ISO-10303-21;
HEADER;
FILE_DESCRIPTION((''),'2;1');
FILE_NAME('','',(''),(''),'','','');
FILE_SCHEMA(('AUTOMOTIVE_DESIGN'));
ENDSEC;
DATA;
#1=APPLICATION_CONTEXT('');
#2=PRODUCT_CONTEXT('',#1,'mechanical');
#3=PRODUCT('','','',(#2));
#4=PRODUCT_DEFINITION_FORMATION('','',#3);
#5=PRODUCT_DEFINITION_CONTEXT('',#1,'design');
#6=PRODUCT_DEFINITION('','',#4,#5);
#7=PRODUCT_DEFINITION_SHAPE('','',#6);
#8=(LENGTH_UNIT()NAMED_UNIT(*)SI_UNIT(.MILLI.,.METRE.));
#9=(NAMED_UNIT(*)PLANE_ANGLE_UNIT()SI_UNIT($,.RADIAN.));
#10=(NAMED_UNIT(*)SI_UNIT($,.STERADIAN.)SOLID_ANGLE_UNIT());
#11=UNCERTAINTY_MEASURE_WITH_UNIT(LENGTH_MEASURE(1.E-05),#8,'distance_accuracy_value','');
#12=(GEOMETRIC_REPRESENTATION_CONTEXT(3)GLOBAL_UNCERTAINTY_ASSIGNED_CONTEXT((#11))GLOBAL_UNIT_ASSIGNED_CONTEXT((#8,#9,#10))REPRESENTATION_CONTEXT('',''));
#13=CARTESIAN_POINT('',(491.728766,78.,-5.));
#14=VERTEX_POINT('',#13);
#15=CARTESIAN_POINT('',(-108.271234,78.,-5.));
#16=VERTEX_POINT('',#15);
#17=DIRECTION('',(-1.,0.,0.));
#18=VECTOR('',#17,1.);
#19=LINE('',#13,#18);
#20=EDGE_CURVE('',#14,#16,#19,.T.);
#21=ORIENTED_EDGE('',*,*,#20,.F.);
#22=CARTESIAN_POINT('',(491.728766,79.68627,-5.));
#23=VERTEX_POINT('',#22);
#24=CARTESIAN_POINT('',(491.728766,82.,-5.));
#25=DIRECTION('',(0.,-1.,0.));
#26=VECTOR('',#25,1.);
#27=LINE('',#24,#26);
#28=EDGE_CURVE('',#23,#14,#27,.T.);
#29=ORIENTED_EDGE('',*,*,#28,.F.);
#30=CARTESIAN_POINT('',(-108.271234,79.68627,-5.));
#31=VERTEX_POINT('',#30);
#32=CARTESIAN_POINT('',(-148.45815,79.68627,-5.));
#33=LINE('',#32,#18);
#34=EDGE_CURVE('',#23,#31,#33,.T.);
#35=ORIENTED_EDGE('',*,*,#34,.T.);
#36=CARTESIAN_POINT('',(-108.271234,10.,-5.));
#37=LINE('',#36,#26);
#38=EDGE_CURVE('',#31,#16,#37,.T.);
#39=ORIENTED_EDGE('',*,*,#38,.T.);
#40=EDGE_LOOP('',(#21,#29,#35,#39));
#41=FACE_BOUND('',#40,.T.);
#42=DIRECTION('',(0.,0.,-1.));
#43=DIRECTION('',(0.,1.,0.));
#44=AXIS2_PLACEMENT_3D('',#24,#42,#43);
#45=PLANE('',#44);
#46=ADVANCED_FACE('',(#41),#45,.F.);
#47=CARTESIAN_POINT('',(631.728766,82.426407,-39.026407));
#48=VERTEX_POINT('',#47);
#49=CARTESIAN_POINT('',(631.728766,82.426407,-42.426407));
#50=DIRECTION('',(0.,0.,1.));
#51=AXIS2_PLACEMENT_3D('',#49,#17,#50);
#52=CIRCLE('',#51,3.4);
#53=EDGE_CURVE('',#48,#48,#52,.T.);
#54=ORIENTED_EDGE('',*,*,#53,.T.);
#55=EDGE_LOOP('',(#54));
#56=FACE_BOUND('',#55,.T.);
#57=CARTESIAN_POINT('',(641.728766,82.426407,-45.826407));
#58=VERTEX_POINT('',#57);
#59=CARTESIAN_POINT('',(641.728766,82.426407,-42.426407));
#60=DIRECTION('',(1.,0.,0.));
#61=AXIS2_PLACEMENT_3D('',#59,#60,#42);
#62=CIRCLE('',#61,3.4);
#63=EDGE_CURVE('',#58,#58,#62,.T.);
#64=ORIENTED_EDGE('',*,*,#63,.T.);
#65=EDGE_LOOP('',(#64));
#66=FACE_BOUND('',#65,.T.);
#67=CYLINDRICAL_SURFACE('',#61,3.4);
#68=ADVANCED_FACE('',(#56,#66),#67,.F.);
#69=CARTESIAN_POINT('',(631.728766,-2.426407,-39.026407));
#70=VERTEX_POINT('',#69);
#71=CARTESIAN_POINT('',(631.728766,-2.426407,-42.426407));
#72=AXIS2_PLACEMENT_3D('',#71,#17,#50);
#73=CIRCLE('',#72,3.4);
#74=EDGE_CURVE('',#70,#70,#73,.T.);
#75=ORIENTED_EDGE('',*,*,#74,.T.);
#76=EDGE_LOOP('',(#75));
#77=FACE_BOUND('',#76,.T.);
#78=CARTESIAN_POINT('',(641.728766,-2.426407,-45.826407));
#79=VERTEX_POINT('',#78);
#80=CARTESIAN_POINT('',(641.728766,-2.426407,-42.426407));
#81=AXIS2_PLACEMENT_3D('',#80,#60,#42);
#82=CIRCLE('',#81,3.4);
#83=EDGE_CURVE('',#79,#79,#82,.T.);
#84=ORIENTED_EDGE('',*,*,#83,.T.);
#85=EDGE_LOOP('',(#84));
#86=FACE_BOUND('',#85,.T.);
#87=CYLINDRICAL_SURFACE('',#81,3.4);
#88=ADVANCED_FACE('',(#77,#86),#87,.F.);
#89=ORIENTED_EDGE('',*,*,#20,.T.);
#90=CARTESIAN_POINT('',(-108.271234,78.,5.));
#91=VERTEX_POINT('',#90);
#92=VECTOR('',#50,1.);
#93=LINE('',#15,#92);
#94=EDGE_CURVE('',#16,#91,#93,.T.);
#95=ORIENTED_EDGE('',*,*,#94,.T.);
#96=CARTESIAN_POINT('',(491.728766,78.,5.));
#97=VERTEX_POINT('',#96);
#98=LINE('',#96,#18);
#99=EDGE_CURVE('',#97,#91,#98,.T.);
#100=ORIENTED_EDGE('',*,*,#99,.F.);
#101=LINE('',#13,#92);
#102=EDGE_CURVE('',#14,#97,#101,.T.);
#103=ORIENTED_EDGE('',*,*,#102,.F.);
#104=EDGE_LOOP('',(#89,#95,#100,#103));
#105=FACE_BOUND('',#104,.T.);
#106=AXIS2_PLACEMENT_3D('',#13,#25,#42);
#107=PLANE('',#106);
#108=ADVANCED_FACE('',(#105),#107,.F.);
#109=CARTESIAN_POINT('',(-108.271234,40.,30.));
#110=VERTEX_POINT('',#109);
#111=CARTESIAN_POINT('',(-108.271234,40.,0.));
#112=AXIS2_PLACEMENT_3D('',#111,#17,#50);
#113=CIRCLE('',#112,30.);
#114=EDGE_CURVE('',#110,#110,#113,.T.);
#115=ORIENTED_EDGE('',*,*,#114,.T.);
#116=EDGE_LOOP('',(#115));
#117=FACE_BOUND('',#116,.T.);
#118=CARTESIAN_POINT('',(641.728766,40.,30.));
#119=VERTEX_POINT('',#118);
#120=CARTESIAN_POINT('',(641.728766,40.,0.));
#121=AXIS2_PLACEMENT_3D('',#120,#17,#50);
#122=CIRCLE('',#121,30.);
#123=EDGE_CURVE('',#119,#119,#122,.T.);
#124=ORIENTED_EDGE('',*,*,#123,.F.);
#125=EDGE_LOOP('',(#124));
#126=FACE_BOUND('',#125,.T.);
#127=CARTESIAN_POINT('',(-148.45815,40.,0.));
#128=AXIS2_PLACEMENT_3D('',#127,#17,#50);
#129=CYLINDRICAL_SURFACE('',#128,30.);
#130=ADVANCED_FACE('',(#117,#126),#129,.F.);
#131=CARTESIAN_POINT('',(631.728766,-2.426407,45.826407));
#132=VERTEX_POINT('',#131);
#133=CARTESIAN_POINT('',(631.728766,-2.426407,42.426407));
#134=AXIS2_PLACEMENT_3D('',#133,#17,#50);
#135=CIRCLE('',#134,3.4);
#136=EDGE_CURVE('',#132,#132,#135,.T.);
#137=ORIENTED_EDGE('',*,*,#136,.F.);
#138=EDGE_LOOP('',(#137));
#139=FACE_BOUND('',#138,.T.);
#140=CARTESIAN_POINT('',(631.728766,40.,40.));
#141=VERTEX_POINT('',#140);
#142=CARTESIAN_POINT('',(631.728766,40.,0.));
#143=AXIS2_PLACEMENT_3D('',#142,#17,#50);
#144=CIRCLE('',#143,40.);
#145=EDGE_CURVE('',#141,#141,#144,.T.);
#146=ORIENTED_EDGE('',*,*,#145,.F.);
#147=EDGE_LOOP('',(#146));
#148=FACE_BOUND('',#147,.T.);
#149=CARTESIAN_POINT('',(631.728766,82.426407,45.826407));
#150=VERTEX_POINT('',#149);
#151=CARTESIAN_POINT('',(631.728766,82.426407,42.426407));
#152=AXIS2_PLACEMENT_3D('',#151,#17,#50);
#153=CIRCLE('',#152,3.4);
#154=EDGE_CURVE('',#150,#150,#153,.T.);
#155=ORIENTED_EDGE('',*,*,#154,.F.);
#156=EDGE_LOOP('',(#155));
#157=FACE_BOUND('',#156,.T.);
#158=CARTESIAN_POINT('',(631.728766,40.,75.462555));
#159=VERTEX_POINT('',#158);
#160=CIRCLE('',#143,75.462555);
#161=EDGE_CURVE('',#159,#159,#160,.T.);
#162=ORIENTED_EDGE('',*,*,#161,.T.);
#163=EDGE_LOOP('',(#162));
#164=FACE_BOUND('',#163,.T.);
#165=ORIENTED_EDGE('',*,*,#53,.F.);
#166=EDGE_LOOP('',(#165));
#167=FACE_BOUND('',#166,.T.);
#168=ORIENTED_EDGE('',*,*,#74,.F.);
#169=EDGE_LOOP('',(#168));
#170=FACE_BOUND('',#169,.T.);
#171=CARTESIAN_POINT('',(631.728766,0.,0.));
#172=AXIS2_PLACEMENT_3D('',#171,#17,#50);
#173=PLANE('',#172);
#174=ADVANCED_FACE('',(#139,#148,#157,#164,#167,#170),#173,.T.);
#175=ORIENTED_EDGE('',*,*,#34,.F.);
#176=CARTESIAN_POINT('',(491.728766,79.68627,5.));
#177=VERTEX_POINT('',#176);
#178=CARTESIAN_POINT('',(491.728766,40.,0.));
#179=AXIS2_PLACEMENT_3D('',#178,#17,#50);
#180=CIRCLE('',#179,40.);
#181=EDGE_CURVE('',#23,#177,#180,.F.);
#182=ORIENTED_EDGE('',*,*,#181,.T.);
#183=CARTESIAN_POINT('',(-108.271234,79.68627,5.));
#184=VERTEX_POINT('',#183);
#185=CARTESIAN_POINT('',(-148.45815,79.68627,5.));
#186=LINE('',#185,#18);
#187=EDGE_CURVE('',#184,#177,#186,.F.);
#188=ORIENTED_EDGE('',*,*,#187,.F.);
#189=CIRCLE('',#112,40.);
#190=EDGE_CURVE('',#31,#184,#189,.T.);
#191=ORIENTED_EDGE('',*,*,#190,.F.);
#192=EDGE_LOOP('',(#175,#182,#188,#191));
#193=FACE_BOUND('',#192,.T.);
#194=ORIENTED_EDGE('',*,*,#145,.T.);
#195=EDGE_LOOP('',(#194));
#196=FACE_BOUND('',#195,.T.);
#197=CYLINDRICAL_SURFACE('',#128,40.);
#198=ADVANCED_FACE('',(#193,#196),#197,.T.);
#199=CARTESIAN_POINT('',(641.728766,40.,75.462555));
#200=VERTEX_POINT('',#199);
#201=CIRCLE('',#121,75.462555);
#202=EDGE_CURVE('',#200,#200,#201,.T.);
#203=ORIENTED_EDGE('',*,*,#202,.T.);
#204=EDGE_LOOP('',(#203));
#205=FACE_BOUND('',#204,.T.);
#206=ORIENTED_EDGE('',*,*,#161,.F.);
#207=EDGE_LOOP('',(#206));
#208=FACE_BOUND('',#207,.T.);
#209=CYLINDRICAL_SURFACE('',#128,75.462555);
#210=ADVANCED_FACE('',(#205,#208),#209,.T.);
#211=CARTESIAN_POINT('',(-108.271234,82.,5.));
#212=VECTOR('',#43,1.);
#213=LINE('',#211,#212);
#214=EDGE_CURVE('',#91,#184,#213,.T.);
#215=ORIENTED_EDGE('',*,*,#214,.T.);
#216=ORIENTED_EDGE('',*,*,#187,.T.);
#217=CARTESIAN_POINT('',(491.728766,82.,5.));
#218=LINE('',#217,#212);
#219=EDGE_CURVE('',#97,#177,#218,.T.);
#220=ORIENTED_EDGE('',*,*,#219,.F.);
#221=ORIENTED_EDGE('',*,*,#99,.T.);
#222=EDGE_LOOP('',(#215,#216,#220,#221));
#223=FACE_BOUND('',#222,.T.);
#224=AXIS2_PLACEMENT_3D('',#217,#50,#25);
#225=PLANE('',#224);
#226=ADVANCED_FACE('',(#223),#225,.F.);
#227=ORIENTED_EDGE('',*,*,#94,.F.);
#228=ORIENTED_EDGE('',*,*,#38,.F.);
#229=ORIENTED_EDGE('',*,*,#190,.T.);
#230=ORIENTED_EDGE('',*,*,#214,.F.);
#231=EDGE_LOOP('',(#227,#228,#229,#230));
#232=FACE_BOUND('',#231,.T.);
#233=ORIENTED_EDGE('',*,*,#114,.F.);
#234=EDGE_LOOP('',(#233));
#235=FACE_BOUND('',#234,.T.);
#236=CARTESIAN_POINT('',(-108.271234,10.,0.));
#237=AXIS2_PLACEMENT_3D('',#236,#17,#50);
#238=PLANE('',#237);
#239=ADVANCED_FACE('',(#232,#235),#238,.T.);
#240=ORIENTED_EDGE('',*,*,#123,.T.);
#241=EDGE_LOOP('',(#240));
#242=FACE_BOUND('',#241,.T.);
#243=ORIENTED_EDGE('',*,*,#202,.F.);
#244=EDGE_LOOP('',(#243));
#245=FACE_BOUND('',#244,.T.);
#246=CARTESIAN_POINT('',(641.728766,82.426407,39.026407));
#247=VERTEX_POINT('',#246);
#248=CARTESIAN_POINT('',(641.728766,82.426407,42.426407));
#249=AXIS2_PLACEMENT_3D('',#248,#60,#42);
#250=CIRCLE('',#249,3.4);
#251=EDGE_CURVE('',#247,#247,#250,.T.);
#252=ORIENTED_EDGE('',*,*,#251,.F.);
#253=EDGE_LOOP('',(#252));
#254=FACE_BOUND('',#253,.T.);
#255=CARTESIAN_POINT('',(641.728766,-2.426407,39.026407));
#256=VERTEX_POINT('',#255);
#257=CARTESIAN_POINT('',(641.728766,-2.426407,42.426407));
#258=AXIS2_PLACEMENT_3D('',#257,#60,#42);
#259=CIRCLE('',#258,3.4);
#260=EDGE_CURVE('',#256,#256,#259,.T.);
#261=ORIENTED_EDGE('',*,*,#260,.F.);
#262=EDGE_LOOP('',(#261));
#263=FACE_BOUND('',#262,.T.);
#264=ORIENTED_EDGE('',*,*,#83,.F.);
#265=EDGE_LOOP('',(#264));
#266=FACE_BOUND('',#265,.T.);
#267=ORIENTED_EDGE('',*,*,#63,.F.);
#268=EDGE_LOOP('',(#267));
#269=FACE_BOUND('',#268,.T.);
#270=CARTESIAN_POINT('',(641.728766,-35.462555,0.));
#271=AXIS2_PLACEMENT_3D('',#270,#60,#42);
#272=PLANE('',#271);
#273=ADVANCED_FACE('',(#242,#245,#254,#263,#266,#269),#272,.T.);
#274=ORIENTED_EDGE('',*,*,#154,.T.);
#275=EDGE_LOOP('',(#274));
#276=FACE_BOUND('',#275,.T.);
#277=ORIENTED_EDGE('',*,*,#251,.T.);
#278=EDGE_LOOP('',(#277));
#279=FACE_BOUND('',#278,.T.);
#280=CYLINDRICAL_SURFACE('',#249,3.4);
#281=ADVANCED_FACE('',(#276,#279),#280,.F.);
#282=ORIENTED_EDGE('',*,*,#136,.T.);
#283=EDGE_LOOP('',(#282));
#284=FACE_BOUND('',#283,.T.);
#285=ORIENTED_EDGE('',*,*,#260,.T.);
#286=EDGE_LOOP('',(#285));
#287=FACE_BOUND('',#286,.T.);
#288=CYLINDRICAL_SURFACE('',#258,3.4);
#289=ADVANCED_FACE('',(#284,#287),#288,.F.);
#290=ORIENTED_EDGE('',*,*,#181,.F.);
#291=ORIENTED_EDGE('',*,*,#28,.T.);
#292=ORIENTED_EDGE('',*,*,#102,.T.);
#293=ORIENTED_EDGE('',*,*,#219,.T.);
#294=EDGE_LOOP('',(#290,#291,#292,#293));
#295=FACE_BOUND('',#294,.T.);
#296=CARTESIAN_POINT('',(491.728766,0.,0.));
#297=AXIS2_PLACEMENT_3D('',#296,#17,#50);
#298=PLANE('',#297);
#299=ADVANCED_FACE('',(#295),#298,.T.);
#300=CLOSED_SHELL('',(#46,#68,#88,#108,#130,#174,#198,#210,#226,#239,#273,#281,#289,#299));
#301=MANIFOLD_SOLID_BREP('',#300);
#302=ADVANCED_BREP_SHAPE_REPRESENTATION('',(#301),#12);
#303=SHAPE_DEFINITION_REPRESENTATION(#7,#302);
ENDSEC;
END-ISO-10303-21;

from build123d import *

# Parameters (mm, degrees)
SKETCH2_W             = 10
SKETCH2_H             = 4
EXTRUDE1_DEPTH        = 600
M8_TAPPED_HOLE1_D     = 6.8
M8_TAPPED_HOLE1_DEPTH = 19.75
M8_TAPPED_HOLE1_TIP   = 2.042926105


with BuildPart() as part:
    # Sketch1 → Revolve1 (revolve)
    with BuildSketch(Plane.XY, mode=Mode.PRIVATE) as revolve1_sk:
        Polygon((-108.27123445, 10), (-108.27123445, 0), (631.72876555, 0), (631.72876555, -35.462555066), (641.72876555, -35.462555066), (641.72876555, 10), align=None)
    revolve(revolve1_sk.sketch.rotate(Axis((-148.45814978, 40, 0), (1, 0, 0)), 270), axis=Axis((-148.45814978, 40, 0), (1, 0, 0)))

    # Sketch2 → Extrude1 (cut)
    with BuildSketch(Plane.ZY.offset(108.27123445)):
        with Locations((0, 80)):
            Rectangle(SKETCH2_W, SKETCH2_H)
    extrude(amount=-EXTRUDE1_DEPTH, mode=Mode.SUBTRACT)

    # M8 Tapped Hole1
    with Locations(Plane(origin=(641.72876555, 82.426406871, 42.426406871), x_dir=(0, 0, 1), z_dir=(1, 0, 0))):
        with Locations((0, 0), (-84.852813742, 0), (-84.852813742, 84.852813742), (0, 84.852813742)):
            Hole(M8_TAPPED_HOLE1_D / 2, depth=M8_TAPPED_HOLE1_DEPTH)
            with Locations((0, 0, -(M8_TAPPED_HOLE1_DEPTH + M8_TAPPED_HOLE1_TIP / 2))):  # 118° drill point
                Cone(0, M8_TAPPED_HOLE1_D / 2, M8_TAPPED_HOLE1_TIP, mode=Mode.SUBTRACT)


solid = part.part
